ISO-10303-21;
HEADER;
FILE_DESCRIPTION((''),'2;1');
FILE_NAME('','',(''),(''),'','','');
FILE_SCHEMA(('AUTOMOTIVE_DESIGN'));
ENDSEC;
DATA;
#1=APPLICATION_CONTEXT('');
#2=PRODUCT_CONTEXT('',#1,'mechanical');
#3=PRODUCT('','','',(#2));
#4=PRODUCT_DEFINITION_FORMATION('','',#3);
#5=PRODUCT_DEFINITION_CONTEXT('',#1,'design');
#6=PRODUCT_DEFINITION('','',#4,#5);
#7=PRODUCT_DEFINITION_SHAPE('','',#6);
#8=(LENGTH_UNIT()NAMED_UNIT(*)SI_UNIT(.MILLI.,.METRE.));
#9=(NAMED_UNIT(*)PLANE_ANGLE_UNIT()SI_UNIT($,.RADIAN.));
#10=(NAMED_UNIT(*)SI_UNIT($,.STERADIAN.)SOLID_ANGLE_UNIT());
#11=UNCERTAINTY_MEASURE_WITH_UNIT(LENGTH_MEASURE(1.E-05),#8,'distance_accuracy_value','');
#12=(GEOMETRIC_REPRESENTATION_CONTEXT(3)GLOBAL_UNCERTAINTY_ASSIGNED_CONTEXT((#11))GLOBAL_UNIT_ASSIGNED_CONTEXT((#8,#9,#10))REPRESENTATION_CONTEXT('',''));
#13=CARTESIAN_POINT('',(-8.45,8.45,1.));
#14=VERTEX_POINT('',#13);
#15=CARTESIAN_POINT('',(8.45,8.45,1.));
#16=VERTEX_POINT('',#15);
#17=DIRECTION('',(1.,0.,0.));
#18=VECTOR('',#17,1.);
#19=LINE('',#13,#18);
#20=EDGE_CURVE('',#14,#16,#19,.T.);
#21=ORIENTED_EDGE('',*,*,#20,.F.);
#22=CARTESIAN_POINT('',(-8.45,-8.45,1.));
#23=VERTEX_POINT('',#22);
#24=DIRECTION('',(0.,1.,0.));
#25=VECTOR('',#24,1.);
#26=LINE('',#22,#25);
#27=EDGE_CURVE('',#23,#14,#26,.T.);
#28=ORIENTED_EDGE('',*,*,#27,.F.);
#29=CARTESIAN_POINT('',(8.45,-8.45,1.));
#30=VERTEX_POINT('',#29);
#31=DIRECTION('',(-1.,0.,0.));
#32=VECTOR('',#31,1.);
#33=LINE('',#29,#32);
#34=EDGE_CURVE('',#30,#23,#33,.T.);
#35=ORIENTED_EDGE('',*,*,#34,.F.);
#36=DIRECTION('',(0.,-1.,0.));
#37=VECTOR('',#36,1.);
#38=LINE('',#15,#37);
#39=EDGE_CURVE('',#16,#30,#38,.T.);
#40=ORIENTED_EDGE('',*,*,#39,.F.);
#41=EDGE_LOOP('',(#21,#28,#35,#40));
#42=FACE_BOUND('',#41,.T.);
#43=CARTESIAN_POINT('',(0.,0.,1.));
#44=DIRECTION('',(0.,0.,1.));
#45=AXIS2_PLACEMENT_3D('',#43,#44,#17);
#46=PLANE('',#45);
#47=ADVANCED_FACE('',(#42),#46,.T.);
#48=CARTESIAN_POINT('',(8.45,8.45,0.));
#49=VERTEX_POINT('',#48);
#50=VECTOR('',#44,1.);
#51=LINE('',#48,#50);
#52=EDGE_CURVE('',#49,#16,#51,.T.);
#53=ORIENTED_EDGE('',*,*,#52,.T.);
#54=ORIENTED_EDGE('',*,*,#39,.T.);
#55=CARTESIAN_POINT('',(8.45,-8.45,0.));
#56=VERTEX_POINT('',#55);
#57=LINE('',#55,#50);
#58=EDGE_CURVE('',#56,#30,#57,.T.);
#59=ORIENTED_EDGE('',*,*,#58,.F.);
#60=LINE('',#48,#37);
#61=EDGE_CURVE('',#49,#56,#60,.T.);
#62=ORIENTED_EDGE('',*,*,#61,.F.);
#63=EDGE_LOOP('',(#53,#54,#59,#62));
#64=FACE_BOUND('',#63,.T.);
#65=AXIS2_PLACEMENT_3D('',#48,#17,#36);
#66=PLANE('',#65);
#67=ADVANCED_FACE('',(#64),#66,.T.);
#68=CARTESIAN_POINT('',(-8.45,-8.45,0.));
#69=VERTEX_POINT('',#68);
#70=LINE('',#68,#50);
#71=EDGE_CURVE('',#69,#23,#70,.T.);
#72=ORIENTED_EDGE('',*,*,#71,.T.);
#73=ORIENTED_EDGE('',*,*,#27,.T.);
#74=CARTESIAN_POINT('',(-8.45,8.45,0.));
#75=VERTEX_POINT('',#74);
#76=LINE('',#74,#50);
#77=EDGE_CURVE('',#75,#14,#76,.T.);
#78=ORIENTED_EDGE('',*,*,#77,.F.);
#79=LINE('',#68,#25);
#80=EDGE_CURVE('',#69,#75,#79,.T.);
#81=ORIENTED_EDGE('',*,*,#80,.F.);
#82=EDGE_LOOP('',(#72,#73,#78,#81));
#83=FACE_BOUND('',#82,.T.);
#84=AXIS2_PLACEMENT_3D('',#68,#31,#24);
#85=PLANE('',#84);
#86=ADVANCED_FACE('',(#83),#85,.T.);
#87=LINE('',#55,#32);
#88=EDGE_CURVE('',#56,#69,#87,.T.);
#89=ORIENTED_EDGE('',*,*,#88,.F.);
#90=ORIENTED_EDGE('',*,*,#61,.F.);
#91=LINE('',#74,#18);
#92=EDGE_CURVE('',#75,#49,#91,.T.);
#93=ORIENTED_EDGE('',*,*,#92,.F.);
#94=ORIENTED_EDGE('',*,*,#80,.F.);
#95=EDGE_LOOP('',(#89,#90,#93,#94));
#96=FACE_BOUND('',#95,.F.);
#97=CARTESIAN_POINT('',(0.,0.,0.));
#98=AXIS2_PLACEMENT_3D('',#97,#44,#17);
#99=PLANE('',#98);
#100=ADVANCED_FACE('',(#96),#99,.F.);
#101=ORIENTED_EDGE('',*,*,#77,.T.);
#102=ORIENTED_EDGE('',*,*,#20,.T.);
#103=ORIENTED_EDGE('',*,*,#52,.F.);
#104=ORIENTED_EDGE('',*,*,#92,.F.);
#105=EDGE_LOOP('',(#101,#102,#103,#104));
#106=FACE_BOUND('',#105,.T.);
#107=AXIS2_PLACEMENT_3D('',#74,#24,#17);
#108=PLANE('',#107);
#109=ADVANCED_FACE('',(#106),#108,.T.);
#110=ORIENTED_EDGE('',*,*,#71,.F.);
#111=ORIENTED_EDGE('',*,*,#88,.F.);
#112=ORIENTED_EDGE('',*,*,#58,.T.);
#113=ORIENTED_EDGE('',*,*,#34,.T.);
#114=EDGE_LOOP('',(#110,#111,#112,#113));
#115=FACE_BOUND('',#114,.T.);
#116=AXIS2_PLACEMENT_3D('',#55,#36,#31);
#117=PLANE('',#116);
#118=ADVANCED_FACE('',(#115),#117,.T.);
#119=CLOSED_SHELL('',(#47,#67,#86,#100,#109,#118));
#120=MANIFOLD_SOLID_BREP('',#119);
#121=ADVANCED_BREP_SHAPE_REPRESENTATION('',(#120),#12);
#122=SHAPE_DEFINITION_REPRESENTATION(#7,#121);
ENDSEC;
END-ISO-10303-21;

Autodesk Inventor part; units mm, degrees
ref_plane "YZ Plane" through (0, 0, 0) normal (1, 0, 0) x (0, 1, 0)
ref_plane "XZ Plane" through (0, 0, 0) normal (0, 1, 0) x (-1, 0, 0)
ref_plane "XY Plane" through (0, 0, 0) normal (0, 0, 1) x (1, 0, 0)
sketch "LQFP100, LPC1768_146" plane through (0, 0, 0) normal (0, 0, 1) x (1, 0, 0)
  line L0 (-8.45, -8.45) -> (-8.45, 8.45)
  line L1 (-8.45, 8.45) -> (8.45, 8.45)
  line L2 (8.45, 8.45) -> (8.45, -8.45)
  line L3 (8.45, -8.45) -> (-8.45, -8.45)
extrude "Extrusion1" add sketch "LQFP100, LPC1768_146" along normal blind 1
properties part number "LPC1768"
